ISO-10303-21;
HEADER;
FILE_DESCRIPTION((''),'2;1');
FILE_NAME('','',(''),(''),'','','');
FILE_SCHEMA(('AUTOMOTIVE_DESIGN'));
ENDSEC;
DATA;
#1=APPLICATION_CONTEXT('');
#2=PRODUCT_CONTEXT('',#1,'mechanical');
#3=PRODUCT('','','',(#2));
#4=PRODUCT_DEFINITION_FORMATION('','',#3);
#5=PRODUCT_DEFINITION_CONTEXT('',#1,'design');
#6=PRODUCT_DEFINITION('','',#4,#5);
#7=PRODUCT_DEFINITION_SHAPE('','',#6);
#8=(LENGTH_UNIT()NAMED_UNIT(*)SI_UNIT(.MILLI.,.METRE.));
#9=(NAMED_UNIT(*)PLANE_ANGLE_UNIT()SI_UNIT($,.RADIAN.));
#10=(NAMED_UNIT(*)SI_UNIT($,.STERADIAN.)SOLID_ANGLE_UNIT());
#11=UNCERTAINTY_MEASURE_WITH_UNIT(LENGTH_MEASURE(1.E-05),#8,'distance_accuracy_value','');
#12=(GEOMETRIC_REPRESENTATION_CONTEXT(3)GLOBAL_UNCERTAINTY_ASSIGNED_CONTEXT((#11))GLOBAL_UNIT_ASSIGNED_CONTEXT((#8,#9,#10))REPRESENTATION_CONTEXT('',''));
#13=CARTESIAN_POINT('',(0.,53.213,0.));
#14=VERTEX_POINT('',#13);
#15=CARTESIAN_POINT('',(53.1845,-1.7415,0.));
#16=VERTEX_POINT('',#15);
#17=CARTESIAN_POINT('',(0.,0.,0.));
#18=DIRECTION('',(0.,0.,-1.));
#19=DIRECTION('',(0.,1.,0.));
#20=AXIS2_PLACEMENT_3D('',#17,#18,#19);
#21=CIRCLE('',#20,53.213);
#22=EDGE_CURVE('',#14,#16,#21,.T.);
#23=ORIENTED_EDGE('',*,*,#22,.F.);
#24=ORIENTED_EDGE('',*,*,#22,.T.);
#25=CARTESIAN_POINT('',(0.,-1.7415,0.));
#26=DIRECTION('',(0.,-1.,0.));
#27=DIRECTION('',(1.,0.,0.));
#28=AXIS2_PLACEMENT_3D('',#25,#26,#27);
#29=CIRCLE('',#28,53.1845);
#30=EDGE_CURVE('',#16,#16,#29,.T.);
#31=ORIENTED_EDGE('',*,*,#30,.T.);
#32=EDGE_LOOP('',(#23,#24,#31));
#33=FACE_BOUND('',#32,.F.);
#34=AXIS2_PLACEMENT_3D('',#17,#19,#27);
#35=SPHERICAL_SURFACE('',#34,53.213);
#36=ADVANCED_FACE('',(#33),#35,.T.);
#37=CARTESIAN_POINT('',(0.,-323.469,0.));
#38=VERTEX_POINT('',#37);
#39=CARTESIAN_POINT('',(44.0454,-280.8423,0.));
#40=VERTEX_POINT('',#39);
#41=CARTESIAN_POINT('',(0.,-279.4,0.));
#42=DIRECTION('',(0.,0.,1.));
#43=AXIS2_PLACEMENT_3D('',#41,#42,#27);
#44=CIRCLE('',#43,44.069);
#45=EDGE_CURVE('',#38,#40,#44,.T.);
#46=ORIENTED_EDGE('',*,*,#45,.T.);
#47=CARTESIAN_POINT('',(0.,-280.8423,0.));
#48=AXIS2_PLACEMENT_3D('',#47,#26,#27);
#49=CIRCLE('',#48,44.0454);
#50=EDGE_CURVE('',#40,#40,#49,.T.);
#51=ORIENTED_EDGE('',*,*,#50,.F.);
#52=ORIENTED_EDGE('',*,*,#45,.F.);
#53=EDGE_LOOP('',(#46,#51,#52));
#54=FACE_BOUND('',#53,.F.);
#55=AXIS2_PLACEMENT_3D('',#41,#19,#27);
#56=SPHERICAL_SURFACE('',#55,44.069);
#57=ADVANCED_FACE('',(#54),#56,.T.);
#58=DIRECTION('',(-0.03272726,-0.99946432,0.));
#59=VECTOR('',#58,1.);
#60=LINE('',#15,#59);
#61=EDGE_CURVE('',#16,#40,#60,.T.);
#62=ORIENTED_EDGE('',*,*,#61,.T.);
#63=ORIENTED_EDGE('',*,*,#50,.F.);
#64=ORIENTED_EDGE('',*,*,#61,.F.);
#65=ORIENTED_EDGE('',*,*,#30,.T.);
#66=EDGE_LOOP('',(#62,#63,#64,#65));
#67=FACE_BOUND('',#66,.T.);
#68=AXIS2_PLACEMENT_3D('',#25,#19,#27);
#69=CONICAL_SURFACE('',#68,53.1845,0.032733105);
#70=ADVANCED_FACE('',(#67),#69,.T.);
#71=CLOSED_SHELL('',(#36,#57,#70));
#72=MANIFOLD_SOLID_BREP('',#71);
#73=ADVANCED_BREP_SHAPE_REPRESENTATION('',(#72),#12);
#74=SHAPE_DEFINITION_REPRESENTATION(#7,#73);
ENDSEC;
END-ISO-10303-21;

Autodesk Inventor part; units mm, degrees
ref_plane "YZ Plane" through (0, 0, 0) normal (1, 0, 0) x (0, 1, 0)
ref_plane "XZ Plane" through (0, 0, 0) normal (0, 1, 0) x (-1, 0, 0)
sketch "Sketch1" plane through (0, 0, 0) normal (0, 0, 1) x (1, 0, 0)
  circle A0 centre (0, 0) radius 53.213
  circle A1 centre (0, -279.4) radius 44.069
  line L0 (0, 53.213) -> (0, -323.469)
  line L1 (53.1845, -1.7415) -> (44.0454, -280.8423)
  dimension "d16" = 279.4
  dimension "d17" = 106.426
  dimension "d18" = 88.138
revolve "Revolution1" add sketch "Sketch1" angle 360 about axis through (0, 53.213, 0) along (0, -1, 0) picked at (21.7914, -13.4889) picked at (24.6232, -272.4003) contours A0 L0 | L1 A1 L0 A0 | A1 L0
ref_plane "Work Plane1" through (0, -167.64, 0) normal (0, 1, 0) x (-1, 0, 0)
split_face "Split1"
equation "\"d16\" = SHOULDER_TO_ELBOW"
equation "\"d17\" = SHOULDER_THK"
equation "\"d18\" = ELBOW_THK"
equation "\"d20\" = -0.6 * d16"
equation "\"SHOULDER_TO_ELBOW\" = 279.4"
equation "\"SHOULDER_THK\" = 106.426"
equation "\"ELBOW_THK\" = 88.138"
properties part number "3D HUMAN"
